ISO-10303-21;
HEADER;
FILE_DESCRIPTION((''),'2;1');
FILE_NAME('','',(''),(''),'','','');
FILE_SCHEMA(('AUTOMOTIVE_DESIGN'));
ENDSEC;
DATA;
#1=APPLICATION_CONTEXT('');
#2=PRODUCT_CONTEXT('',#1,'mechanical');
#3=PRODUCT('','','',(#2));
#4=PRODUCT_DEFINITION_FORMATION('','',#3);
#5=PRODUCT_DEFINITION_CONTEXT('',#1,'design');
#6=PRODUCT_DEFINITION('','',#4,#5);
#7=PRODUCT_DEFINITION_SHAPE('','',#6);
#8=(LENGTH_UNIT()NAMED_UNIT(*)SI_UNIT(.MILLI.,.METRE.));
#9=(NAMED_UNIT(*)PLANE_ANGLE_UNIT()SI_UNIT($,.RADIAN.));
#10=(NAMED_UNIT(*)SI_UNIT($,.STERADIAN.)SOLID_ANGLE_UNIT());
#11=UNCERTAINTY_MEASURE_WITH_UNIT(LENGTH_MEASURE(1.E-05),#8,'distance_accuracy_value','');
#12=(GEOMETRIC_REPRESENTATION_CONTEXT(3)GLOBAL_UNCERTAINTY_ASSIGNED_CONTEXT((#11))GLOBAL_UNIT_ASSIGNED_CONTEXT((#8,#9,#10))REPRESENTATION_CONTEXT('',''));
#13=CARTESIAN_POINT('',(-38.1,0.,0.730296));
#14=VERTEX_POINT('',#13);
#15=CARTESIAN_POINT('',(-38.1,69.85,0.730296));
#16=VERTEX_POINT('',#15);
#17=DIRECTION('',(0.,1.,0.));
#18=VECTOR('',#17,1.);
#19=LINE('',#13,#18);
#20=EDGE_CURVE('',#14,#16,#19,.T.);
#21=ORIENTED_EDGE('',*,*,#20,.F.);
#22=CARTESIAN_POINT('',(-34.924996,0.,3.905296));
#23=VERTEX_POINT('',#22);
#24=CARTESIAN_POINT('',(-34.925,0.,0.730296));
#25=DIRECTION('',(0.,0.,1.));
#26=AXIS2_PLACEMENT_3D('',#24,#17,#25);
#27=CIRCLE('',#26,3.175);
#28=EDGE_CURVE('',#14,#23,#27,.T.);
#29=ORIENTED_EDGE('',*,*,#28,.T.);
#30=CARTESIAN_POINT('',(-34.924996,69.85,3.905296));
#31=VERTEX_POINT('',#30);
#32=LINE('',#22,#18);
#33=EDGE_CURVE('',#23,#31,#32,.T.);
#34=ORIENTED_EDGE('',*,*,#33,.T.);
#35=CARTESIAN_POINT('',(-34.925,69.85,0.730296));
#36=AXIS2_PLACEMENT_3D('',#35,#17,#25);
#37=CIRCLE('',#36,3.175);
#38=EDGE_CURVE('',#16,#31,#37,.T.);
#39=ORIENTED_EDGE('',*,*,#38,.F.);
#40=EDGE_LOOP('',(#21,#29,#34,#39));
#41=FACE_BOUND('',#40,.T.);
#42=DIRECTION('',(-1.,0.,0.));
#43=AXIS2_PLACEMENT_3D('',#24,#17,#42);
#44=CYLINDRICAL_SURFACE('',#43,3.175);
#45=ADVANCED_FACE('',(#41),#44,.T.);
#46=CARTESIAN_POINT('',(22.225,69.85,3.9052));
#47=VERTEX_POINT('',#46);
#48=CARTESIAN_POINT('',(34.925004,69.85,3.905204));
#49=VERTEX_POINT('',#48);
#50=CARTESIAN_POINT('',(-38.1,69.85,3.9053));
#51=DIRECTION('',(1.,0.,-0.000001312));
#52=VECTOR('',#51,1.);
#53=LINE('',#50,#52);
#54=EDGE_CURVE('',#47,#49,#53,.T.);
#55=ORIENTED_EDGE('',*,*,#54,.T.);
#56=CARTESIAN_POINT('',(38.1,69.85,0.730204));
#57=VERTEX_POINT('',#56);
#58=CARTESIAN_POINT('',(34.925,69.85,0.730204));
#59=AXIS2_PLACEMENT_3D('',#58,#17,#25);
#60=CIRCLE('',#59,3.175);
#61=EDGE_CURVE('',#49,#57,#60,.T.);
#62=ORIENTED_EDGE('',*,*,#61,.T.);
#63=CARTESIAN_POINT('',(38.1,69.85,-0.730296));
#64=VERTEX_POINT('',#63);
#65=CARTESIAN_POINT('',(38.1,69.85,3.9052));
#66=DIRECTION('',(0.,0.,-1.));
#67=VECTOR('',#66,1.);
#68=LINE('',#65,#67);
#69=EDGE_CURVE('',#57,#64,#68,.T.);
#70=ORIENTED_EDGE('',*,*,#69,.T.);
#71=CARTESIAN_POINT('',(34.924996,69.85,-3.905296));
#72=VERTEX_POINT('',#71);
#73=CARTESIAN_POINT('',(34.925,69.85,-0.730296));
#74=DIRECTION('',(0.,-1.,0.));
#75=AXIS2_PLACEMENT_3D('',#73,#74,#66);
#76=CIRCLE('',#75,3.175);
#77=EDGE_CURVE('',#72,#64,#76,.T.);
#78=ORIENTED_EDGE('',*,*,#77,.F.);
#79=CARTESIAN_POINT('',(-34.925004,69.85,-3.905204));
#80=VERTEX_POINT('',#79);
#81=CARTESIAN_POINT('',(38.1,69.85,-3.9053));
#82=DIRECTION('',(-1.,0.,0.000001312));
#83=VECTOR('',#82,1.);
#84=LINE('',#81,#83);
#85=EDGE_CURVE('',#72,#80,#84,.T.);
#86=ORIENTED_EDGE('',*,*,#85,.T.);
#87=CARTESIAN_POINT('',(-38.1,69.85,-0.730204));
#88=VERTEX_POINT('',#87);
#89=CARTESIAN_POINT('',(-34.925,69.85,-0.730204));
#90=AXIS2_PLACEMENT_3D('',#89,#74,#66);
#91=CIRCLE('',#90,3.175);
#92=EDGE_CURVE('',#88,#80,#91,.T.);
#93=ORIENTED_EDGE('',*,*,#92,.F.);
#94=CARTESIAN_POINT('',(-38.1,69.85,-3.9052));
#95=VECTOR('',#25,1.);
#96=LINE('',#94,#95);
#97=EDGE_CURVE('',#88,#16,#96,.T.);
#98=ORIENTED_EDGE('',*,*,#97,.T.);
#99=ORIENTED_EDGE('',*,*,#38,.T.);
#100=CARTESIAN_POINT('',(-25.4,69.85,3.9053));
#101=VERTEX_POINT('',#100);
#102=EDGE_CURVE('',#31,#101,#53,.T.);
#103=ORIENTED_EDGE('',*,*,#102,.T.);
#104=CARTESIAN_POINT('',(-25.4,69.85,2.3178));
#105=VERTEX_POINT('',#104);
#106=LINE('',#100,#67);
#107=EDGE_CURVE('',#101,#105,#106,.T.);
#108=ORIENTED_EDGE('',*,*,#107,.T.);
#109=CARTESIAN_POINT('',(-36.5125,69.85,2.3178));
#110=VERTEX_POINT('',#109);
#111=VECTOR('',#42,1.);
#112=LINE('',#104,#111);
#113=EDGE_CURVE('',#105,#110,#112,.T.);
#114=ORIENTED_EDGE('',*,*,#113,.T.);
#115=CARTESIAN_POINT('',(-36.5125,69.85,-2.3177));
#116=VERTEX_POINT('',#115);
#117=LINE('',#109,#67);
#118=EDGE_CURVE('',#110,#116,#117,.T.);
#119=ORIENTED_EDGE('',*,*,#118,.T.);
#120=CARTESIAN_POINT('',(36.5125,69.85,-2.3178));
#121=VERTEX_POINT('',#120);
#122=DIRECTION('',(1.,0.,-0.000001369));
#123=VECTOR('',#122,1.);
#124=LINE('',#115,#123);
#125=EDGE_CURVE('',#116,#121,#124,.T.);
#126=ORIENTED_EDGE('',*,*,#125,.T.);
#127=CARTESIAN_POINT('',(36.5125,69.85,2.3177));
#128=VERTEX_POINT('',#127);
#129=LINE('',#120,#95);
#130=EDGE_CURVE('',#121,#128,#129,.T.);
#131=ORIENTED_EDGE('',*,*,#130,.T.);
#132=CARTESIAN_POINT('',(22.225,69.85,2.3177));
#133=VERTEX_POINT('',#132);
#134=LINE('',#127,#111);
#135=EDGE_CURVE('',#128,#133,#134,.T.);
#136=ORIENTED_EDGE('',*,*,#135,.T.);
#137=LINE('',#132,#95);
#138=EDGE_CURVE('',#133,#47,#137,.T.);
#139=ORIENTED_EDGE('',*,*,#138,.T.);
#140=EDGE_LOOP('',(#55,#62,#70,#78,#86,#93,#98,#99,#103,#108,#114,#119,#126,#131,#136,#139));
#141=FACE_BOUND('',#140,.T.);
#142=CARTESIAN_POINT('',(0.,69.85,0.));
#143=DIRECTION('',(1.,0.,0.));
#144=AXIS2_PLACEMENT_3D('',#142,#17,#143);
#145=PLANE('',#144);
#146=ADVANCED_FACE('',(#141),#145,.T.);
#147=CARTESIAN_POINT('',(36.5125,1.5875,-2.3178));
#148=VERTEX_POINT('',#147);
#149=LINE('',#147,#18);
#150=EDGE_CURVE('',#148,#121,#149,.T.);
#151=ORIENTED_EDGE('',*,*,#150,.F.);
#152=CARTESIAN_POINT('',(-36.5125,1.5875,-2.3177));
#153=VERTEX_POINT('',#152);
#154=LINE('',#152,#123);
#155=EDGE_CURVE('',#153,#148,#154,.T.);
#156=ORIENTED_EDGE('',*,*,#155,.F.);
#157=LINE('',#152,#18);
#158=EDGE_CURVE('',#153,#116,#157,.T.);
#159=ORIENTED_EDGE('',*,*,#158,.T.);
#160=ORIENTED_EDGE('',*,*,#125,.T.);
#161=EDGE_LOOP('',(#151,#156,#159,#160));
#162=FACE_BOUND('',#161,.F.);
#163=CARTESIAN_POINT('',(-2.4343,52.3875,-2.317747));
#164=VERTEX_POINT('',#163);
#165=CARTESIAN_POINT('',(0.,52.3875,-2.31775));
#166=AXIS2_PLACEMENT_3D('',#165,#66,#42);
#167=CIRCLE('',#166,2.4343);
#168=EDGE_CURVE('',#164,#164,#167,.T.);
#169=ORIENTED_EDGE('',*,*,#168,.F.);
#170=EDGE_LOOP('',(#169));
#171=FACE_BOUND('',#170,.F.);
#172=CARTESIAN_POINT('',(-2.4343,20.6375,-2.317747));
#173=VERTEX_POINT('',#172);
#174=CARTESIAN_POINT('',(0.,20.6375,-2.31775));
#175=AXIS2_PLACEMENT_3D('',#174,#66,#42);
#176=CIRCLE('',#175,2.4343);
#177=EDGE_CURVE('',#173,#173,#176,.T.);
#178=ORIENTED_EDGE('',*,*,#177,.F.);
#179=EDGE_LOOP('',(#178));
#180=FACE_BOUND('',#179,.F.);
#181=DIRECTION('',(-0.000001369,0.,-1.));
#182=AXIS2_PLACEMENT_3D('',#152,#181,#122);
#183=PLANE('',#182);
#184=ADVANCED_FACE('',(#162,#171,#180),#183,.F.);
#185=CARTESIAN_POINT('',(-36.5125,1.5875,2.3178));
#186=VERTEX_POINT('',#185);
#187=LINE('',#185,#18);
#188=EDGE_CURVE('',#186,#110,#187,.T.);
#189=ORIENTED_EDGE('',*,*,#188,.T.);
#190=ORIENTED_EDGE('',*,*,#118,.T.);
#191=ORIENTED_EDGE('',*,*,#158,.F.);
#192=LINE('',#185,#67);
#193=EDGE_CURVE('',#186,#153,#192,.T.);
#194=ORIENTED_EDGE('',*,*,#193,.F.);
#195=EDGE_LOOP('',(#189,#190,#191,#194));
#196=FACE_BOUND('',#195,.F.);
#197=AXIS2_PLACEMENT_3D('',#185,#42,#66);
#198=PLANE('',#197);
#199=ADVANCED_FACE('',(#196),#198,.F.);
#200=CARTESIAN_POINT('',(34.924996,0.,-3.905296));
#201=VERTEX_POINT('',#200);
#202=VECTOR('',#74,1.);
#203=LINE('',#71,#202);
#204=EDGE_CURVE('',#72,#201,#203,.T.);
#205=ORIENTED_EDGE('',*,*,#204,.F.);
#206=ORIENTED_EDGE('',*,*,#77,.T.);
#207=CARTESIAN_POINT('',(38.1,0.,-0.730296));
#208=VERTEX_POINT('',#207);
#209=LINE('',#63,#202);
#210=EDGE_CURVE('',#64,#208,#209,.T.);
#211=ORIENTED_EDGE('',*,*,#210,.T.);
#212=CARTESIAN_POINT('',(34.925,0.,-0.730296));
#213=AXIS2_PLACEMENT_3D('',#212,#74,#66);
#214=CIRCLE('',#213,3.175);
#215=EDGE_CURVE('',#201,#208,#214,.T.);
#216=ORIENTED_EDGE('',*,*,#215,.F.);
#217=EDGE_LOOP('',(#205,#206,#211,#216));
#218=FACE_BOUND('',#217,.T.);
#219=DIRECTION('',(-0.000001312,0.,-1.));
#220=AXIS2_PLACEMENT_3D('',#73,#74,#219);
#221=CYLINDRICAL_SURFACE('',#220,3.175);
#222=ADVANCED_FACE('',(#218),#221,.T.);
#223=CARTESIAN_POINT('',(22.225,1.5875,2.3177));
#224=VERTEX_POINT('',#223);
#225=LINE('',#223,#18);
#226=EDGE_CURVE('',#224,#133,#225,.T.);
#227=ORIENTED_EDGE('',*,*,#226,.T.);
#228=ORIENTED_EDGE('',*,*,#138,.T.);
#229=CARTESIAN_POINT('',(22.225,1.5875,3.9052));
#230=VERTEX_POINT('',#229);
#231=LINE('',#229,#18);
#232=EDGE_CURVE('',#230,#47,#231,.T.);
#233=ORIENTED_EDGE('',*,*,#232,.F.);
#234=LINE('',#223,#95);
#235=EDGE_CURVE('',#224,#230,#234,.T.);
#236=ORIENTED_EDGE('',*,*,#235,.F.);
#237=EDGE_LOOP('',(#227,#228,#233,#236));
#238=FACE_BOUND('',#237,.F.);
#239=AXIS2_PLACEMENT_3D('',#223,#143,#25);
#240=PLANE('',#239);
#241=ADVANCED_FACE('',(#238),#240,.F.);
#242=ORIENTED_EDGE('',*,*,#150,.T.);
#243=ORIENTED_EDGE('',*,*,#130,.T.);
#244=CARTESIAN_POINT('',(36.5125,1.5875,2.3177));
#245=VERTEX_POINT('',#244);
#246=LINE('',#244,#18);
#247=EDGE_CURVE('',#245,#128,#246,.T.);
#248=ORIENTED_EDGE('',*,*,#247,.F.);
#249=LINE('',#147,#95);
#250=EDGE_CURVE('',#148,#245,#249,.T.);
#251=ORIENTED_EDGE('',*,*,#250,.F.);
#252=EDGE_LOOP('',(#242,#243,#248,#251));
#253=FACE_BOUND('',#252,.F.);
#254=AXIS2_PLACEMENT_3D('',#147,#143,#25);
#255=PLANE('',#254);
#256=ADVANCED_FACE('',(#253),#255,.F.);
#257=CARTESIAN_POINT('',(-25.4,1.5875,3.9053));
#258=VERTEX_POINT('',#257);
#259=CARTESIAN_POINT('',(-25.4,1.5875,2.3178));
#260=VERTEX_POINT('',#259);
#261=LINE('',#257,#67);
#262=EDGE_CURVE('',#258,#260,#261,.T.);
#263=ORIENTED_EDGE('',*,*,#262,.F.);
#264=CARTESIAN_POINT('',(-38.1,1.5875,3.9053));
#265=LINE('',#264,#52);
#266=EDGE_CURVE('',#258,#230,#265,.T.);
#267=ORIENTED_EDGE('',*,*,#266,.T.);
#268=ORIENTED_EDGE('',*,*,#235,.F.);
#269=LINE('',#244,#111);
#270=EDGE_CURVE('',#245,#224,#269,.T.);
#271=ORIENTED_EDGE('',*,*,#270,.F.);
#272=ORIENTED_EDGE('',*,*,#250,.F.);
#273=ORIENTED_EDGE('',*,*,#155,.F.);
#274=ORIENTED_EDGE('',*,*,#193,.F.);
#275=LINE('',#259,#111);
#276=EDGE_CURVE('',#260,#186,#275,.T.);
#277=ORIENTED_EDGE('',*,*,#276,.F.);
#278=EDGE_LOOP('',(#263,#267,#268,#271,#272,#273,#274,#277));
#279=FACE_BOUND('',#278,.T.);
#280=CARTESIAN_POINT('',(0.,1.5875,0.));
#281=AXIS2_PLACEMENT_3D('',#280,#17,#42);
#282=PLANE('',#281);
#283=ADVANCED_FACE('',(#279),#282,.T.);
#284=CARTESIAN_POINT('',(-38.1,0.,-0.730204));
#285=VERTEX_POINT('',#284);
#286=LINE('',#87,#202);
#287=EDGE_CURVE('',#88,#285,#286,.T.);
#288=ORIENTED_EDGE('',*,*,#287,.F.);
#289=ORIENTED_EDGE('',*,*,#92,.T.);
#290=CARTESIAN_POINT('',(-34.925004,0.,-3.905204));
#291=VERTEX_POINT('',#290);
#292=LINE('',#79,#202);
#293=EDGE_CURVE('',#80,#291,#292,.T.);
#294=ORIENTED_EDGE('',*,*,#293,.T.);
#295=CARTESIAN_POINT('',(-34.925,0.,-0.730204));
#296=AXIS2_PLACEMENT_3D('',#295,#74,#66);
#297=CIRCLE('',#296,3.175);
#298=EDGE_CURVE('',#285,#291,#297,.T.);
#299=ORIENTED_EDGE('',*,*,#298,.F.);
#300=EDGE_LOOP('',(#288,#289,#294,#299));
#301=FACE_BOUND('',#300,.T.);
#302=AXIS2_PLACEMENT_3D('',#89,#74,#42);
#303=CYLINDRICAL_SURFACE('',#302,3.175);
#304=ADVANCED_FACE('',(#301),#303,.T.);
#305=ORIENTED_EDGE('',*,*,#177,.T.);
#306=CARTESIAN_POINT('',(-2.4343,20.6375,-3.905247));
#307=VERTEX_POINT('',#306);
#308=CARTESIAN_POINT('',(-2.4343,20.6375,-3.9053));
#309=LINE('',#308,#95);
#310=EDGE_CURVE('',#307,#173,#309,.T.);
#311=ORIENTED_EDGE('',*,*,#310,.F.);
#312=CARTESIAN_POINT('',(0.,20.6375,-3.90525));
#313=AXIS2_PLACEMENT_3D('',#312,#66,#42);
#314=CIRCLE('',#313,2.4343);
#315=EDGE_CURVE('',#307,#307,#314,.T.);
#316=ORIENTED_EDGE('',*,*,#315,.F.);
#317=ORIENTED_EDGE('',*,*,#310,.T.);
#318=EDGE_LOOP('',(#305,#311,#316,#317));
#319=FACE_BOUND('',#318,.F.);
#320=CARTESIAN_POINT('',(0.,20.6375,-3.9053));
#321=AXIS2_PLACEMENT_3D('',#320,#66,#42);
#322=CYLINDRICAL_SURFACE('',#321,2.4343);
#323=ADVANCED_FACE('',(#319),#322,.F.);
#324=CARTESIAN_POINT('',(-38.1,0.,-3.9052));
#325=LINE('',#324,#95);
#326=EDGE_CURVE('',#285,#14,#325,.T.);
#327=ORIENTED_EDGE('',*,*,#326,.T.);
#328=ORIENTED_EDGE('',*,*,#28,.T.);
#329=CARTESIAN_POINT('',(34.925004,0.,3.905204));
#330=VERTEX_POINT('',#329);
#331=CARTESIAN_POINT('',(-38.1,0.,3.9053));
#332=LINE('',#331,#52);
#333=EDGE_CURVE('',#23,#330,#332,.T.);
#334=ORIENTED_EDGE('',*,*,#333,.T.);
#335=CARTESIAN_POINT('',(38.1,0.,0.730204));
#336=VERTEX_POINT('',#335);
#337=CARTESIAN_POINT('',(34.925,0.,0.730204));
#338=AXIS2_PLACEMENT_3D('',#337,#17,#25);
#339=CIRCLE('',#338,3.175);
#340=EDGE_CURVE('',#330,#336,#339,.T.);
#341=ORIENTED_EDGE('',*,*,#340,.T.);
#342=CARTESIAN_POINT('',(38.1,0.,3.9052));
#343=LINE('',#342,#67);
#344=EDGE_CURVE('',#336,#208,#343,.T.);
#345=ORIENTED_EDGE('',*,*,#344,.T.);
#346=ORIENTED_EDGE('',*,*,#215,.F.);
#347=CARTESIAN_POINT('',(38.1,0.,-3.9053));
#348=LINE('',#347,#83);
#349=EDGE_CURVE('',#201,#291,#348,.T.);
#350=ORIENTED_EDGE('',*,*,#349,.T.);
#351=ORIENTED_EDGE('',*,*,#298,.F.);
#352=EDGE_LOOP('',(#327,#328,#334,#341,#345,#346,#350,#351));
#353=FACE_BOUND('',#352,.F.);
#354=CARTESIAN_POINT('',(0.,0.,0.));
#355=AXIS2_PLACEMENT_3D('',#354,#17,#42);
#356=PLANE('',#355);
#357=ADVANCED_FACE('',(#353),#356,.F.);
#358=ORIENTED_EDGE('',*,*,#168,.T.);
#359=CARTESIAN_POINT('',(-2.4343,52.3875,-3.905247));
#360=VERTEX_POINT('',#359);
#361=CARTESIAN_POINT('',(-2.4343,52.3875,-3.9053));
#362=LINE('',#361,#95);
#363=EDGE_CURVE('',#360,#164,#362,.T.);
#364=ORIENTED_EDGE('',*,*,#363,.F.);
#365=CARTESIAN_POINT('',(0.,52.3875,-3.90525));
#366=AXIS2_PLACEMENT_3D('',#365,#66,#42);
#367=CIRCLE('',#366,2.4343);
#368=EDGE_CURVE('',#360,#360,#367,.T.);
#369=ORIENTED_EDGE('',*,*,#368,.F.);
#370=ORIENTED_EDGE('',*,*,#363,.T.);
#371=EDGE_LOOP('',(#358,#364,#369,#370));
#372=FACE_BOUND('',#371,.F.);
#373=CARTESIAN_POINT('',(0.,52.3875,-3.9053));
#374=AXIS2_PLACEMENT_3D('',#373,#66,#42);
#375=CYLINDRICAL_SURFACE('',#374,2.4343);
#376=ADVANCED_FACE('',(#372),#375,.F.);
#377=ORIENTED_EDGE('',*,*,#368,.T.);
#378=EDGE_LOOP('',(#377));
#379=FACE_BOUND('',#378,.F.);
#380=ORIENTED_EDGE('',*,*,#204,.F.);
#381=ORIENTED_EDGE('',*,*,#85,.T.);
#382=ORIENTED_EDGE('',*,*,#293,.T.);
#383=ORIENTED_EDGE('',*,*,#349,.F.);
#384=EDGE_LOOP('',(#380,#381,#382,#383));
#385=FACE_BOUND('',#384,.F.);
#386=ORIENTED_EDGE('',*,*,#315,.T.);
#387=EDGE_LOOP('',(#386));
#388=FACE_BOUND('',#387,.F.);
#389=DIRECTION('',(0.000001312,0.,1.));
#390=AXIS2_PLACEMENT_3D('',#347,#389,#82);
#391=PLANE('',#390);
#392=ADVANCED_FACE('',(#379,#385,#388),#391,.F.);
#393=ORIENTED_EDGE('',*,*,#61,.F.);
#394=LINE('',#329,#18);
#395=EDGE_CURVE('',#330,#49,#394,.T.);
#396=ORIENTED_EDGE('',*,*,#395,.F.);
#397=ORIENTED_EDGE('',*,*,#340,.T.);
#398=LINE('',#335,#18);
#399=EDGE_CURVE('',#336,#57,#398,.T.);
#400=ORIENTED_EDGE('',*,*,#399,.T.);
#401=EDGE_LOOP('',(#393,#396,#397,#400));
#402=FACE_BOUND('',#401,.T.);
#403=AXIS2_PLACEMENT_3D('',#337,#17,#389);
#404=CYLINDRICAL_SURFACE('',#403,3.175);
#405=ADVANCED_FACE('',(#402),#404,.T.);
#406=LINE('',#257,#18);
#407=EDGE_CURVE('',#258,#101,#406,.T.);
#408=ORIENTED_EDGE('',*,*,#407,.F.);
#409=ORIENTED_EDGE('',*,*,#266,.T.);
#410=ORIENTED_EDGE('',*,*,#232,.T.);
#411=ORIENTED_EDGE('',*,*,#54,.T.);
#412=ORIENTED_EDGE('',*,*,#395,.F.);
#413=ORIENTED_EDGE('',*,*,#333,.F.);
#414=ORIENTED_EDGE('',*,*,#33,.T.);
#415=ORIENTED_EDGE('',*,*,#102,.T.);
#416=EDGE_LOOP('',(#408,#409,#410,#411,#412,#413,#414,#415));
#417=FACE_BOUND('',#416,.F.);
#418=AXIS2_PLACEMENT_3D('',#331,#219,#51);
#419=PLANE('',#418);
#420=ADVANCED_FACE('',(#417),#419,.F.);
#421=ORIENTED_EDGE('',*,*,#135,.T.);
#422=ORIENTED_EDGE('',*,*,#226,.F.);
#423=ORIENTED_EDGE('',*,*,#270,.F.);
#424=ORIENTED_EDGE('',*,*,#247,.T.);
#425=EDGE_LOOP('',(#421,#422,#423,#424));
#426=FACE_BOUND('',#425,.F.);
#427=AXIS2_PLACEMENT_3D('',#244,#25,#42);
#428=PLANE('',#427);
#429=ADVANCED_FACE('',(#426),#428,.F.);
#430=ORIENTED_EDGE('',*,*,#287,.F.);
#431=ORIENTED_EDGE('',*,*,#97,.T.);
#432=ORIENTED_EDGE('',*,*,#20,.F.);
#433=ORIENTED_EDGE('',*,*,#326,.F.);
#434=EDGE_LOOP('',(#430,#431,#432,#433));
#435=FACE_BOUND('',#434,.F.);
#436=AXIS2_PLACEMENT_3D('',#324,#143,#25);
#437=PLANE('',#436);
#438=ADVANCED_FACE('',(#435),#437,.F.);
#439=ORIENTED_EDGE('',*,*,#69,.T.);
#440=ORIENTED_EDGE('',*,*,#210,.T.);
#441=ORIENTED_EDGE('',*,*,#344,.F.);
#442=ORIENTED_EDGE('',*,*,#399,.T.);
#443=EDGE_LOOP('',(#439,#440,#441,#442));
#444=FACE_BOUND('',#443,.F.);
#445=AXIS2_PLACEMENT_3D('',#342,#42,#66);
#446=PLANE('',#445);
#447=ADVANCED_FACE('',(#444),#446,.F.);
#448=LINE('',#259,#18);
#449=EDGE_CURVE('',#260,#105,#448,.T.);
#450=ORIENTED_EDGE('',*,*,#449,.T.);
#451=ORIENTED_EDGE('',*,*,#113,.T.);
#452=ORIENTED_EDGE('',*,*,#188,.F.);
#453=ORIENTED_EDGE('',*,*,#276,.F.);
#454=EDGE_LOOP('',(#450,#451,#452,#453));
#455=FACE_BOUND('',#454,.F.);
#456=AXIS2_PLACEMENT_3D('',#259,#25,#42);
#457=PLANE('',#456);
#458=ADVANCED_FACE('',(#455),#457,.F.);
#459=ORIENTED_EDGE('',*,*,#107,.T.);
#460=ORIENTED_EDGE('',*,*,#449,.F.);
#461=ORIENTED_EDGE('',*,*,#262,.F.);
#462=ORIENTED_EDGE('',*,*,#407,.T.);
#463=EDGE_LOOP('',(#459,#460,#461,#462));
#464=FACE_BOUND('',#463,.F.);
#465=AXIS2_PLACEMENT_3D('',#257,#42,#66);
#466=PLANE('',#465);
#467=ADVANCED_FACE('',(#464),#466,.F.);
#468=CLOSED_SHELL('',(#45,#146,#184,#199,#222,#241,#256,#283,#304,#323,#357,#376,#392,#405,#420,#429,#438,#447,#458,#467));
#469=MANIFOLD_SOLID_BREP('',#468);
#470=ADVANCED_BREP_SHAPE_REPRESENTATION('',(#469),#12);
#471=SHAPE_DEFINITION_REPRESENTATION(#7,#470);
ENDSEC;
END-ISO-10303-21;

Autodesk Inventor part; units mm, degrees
ref_plane "YZ Plane" through (0, 0, 0) normal (1, 0, 0) x (0, 1, 0)
ref_plane "XZ Plane" through (0, 0, 0) normal (0, 1, 0) x (-1, 0, 0)
ref_plane "XY Plane" through (0, 0, 0) normal (0, 0, 1) x (1, 0, 0)
sketch "Sketch1" plane through (0, 0, 0) normal (0, 1, 0) x (-1, 0, 0)
  line L0 (38.1, 3.9053) -> (-38.1, 3.9052)
  line L1 (-38.1, 3.9052) -> (-38.1, -3.9053)
  line L2 (-38.1, -3.9053) -> (38.1, -3.9052)
  line L3 (38.1, -3.9052) -> (38.1, 3.9053)
  line L4 (38.1, 3.9053) -> (-38.1, -3.9053) construction
  line L5 (-38.1, 3.9052) -> (38.1, -3.9052) construction
  point P0 (0, 0)
  dimension "d0" = 76.2
  dimension "d1" = 7.8105
extrude "Extrusion1" add sketch "Sketch1" along normal blind 1.5875
sketch "Sketch2" plane through (0, 1.5875, 0) normal (0, 1, 0) x (1, 0, 0)
  line L0 (-38.1, -3.9053) -> (38.1, -3.9052) projected
  line L1 (-12.7, -3.9053) -> (-25.4, -3.9053)
  line L2 (-25.4, -3.9053) -> (-25.4, -2.3178)
  line L3 (-38.1, 3.9052) -> (-38.1, -3.9053) projected
  line L4 (-25.4, -2.3178) -> (-36.5125, -2.3178)
  line L5 (-36.5125, -2.3178) -> (-36.5125, 2.3177)
  line L6 (-36.5125, 2.3177) -> (36.5125, 2.3178)
  line L7 (36.5125, 2.3178) -> (36.5125, -2.3177)
  line L8 (36.5125, -2.3177) -> (22.225, -2.3177)
  line L9 (22.225, -2.3177) -> (22.225, -3.9052)
  line L10 (38.1, -3.9052) -> (38.1, 3.9053) projected
  line L11 (38.1, 3.9053) -> (-38.1, 3.9052) projected
  line L12 (-25.4, -3.9053) -> (-38.1, -3.9053)
  line L13 (-38.1, 3.9052) -> (38.1, 3.9053)
  line L14 (38.1, -3.9052) -> (22.225, -3.9052)
  line L15 (38.1, 3.9053) -> (38.1, -3.9052)
  line L16 (-38.1, -3.9053) -> (-38.1, 3.9052)
  point P0 (0, 0)
  dimension "d5" = 12.7
  dimension "d6" = 1.5875
  dimension "d7" = 1.5875
  dimension "d8" = 1.5875
  dimension "d9" = 1.5875
  dimension "d10" = 1.5875
extrude "Extrusion2" add sketch "Sketch2" along normal blind 68.2625 contours L3 L11 L10 L0 L9 L8 L7 L6 L5 L4 L2
sketch "Sketch3" plane through (38.1, 0, -3.9053) normal (0, 0, -1) x (-1, 0, 0)
  circle A0 centre (38.1, 52.3875) radius 2.4343
  circle A1 centre (38.1, 20.6375) radius 2.4343
  line L0 (0, 69.85) -> (76.2, 69.85) projected
  point P0 (38.1, 0)
  point P1 (38.1, 69.85)
  dimension "d13" = 31.75
  dimension "d14" = 17.4625
extrude "Extrusion3" cut sketch "Sketch3" against normal blind 68.2625
fillet "Fillet1" radius 3.175 2 edges at (38.1, 34.925, -3.9053) (-38.1, 34.925, -3.9052)
fillet "Fillet2" radius 3.175 2 edges at (-38.1, 34.925, 3.9053) (38.1, 34.925, 3.9052)
properties part number "Monitor Seat v1.0"
